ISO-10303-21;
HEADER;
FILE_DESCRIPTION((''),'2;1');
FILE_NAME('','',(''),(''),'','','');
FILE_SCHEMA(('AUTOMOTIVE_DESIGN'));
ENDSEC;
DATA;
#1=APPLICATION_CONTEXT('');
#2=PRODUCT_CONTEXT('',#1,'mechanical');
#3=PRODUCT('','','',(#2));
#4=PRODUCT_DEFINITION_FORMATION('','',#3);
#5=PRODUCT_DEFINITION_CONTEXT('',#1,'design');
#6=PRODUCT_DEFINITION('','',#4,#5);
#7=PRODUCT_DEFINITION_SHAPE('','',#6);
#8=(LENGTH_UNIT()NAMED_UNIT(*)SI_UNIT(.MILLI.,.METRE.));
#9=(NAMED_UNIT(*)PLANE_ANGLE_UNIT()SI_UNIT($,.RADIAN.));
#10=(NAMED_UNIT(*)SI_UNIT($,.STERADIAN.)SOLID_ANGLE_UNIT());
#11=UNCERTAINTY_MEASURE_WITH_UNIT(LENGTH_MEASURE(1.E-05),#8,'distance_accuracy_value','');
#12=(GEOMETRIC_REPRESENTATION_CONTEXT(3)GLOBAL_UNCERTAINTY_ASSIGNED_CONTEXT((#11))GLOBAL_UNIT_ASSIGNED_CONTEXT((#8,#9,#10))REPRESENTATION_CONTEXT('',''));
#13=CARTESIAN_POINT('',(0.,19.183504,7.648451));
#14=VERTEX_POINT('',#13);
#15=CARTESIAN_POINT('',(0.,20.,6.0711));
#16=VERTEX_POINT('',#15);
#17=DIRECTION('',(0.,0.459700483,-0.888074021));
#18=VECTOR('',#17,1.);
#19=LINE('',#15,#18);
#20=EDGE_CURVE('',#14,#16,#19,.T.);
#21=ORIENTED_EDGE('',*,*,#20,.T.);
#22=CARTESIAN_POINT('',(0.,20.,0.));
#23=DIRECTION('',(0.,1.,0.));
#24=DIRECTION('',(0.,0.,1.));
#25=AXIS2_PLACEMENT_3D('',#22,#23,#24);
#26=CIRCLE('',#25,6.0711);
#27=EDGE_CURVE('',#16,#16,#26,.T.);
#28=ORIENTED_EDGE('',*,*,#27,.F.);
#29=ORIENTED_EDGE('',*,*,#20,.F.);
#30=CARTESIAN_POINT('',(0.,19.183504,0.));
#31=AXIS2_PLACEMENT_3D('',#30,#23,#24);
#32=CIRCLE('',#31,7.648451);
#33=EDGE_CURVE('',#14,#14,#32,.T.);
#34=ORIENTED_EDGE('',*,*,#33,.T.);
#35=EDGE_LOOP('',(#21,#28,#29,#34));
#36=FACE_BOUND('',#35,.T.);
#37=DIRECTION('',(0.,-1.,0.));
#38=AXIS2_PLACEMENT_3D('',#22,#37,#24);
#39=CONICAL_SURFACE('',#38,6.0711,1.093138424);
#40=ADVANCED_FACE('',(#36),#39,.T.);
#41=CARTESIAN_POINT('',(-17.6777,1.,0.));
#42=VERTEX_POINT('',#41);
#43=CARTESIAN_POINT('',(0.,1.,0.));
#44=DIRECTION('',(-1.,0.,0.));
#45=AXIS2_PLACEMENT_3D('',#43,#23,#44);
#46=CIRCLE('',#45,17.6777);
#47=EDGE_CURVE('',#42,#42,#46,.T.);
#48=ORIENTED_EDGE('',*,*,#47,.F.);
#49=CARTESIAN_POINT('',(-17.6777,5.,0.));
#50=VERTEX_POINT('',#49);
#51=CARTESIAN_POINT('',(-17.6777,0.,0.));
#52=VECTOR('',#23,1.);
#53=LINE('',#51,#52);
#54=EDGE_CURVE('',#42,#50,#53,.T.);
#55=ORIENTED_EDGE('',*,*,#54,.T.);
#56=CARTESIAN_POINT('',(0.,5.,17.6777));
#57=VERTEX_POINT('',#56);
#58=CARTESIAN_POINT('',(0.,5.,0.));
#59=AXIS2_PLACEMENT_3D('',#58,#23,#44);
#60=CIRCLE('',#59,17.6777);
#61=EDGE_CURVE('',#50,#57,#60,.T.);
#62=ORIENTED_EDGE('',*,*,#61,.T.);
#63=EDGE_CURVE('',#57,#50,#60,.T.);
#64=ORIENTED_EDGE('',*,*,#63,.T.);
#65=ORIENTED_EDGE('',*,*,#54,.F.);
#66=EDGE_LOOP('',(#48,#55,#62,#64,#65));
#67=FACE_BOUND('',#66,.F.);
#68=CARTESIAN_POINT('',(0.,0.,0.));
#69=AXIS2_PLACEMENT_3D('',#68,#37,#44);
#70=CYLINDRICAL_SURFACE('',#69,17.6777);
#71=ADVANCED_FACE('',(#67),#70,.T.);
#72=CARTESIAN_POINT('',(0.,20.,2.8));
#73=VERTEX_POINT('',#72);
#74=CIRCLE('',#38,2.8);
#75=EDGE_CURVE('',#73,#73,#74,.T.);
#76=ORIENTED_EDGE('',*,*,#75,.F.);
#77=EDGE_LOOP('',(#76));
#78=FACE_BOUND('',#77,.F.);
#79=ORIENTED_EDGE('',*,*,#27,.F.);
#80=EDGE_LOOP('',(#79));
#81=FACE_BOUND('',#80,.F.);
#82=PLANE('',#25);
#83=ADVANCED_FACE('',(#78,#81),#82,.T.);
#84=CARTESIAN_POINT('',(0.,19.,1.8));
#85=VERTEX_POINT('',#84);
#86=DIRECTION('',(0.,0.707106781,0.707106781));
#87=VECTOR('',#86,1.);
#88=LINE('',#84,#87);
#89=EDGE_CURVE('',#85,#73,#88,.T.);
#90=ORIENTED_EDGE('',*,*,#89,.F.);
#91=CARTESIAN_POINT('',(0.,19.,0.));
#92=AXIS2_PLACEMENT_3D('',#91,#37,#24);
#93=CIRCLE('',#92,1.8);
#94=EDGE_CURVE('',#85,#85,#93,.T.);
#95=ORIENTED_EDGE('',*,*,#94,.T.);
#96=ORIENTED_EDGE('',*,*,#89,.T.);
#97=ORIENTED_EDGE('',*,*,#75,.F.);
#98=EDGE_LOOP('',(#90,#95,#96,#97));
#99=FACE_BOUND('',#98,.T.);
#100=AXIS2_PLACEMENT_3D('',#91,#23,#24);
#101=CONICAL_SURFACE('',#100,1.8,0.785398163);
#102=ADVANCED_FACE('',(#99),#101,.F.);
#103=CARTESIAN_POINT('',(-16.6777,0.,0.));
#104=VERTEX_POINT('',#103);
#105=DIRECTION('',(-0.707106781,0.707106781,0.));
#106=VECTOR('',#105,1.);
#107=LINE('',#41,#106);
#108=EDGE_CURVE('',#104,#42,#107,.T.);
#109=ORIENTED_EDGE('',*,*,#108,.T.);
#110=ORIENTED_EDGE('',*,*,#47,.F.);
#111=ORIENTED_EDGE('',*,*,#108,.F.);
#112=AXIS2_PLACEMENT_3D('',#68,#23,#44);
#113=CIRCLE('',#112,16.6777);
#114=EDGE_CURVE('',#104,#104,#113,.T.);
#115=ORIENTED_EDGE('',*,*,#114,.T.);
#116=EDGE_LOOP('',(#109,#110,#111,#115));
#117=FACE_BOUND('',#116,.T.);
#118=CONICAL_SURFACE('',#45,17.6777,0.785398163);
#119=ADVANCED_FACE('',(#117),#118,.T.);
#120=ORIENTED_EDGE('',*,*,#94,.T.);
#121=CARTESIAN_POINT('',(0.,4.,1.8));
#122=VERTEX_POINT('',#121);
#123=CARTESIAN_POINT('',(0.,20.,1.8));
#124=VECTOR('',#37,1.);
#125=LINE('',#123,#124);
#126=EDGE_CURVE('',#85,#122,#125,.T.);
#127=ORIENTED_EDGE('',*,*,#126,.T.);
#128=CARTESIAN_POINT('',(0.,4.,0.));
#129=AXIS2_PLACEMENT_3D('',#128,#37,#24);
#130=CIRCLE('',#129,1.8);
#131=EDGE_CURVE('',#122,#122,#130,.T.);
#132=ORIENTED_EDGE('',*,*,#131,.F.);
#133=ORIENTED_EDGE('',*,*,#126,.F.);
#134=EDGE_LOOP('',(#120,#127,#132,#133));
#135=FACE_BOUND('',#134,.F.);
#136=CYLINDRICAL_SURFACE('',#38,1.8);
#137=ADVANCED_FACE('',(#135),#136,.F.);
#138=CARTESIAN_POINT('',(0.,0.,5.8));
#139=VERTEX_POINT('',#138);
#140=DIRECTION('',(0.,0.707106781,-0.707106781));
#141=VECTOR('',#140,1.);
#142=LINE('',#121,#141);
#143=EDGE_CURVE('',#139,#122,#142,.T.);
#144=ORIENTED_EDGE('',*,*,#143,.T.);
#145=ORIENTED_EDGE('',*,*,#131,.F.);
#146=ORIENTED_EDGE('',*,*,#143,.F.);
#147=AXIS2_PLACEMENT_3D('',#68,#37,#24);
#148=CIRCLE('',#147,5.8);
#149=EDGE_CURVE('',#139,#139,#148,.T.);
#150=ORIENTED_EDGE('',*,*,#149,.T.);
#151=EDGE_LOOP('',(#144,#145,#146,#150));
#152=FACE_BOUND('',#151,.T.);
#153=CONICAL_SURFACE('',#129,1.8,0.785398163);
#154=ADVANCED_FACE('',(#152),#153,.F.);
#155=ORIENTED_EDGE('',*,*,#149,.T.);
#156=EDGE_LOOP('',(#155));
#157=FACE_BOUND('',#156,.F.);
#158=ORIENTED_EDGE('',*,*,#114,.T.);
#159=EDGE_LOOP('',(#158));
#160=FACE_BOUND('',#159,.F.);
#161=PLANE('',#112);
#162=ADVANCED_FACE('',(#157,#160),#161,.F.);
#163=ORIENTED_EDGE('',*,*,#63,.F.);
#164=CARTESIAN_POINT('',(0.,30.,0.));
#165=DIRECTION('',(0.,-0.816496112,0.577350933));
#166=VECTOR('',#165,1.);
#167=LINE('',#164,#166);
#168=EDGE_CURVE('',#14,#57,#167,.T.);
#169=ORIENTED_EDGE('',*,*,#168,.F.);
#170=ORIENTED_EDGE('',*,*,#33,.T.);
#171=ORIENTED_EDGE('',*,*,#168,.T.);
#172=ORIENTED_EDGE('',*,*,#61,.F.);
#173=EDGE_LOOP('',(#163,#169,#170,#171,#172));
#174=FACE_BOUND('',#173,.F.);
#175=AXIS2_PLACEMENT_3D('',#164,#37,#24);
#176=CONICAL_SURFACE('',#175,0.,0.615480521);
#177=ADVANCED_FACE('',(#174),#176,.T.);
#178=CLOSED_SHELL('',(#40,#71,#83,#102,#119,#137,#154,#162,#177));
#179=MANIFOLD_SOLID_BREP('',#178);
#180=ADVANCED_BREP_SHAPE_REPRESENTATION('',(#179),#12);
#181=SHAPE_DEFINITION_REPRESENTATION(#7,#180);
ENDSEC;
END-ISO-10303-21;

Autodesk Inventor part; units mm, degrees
ref_plane "YZ Plane" through (0, 0, 0) normal (1, 0, 0) x (0, 1, 0)
ref_plane "XZ Plane" through (0, 0, 0) normal (0, 1, 0) x (-1, 0, 0)
ref_plane "XY Plane" through (0, 0, 0) normal (0, 0, 1) x (1, 0, 0)
sketch "Boceto1" plane through (0, 0, 0) normal (0, 1, 0) x (-1, 0, 0)
  line L0 (-12.5, -12.5) -> (12.5, -12.5) construction
  line L1 (12.5, -12.5) -> (12.5, 12.5) construction
  line L2 (12.5, 12.5) -> (-12.5, 12.5) construction
  line L3 (-12.5, 12.5) -> (-12.5, -12.5) construction
  line L4 (-12.5, -12.5) -> (12.5, 12.5) construction
  line L5 (12.5, -12.5) -> (-12.5, 12.5) construction
  circle A0 centre (0, 0) radius 17.6777
  dimension "d0" = 25
  dimension "d1" = 25
extrude "Extrusión1" add sketch "Boceto1" along normal blind 5
sketch "Boceto2" plane through (0, 0, 0) normal (1, 0, 0) x (0, 1, 0)
  line L0 (5, -17.6777) -> (5, 17.6777) construction
  line L1 (5, 0) -> (30, 0)
  line L2 (30, 0) -> (5, 17.6777)
  line L3 (20, 0) -> (20, 7.0711)
  line L4 (5, 0) -> (5, 17.6777)
  line L5 (-6, 0) -> (36, 0) projected
  point P0 (0, 0)
  dimension "d4" = 25
  dimension "d5" = 15
revolve "Revolución1" add sketch "Boceto2" angle 360 about axis through (0, -10, 0) along (0, 1, 0) contours L4 L2 L3 L1
sketch "Boceto3" plane through (0, 20, 0) normal (0, 1, 0) x (1, 0, 0)
  point P0 (0, 0)
  point P1 (0, 0)
hole "Agujero1" at (0, 20, 0) direction (0, -1, 0) diameter 3.6 end through all
sketch "Boceto4" plane through (0, 0, 0) normal (0, -1, 0) x (1, 0, 0)
  point P0 (0, 0)
chamfer "Chaflán1" distance 4 angle 45 1 edges at (0, 0, -1.8)
chamfer "Chaflán2" distance 1 angle 45 2 edges at (17.6777, 0, 0) (0, 20, -7.0711)
chamfer "Chaflán3" distance 1 angle 45 1 edges at (0, 20, -1.8)
properties part number "PesaGrua"
